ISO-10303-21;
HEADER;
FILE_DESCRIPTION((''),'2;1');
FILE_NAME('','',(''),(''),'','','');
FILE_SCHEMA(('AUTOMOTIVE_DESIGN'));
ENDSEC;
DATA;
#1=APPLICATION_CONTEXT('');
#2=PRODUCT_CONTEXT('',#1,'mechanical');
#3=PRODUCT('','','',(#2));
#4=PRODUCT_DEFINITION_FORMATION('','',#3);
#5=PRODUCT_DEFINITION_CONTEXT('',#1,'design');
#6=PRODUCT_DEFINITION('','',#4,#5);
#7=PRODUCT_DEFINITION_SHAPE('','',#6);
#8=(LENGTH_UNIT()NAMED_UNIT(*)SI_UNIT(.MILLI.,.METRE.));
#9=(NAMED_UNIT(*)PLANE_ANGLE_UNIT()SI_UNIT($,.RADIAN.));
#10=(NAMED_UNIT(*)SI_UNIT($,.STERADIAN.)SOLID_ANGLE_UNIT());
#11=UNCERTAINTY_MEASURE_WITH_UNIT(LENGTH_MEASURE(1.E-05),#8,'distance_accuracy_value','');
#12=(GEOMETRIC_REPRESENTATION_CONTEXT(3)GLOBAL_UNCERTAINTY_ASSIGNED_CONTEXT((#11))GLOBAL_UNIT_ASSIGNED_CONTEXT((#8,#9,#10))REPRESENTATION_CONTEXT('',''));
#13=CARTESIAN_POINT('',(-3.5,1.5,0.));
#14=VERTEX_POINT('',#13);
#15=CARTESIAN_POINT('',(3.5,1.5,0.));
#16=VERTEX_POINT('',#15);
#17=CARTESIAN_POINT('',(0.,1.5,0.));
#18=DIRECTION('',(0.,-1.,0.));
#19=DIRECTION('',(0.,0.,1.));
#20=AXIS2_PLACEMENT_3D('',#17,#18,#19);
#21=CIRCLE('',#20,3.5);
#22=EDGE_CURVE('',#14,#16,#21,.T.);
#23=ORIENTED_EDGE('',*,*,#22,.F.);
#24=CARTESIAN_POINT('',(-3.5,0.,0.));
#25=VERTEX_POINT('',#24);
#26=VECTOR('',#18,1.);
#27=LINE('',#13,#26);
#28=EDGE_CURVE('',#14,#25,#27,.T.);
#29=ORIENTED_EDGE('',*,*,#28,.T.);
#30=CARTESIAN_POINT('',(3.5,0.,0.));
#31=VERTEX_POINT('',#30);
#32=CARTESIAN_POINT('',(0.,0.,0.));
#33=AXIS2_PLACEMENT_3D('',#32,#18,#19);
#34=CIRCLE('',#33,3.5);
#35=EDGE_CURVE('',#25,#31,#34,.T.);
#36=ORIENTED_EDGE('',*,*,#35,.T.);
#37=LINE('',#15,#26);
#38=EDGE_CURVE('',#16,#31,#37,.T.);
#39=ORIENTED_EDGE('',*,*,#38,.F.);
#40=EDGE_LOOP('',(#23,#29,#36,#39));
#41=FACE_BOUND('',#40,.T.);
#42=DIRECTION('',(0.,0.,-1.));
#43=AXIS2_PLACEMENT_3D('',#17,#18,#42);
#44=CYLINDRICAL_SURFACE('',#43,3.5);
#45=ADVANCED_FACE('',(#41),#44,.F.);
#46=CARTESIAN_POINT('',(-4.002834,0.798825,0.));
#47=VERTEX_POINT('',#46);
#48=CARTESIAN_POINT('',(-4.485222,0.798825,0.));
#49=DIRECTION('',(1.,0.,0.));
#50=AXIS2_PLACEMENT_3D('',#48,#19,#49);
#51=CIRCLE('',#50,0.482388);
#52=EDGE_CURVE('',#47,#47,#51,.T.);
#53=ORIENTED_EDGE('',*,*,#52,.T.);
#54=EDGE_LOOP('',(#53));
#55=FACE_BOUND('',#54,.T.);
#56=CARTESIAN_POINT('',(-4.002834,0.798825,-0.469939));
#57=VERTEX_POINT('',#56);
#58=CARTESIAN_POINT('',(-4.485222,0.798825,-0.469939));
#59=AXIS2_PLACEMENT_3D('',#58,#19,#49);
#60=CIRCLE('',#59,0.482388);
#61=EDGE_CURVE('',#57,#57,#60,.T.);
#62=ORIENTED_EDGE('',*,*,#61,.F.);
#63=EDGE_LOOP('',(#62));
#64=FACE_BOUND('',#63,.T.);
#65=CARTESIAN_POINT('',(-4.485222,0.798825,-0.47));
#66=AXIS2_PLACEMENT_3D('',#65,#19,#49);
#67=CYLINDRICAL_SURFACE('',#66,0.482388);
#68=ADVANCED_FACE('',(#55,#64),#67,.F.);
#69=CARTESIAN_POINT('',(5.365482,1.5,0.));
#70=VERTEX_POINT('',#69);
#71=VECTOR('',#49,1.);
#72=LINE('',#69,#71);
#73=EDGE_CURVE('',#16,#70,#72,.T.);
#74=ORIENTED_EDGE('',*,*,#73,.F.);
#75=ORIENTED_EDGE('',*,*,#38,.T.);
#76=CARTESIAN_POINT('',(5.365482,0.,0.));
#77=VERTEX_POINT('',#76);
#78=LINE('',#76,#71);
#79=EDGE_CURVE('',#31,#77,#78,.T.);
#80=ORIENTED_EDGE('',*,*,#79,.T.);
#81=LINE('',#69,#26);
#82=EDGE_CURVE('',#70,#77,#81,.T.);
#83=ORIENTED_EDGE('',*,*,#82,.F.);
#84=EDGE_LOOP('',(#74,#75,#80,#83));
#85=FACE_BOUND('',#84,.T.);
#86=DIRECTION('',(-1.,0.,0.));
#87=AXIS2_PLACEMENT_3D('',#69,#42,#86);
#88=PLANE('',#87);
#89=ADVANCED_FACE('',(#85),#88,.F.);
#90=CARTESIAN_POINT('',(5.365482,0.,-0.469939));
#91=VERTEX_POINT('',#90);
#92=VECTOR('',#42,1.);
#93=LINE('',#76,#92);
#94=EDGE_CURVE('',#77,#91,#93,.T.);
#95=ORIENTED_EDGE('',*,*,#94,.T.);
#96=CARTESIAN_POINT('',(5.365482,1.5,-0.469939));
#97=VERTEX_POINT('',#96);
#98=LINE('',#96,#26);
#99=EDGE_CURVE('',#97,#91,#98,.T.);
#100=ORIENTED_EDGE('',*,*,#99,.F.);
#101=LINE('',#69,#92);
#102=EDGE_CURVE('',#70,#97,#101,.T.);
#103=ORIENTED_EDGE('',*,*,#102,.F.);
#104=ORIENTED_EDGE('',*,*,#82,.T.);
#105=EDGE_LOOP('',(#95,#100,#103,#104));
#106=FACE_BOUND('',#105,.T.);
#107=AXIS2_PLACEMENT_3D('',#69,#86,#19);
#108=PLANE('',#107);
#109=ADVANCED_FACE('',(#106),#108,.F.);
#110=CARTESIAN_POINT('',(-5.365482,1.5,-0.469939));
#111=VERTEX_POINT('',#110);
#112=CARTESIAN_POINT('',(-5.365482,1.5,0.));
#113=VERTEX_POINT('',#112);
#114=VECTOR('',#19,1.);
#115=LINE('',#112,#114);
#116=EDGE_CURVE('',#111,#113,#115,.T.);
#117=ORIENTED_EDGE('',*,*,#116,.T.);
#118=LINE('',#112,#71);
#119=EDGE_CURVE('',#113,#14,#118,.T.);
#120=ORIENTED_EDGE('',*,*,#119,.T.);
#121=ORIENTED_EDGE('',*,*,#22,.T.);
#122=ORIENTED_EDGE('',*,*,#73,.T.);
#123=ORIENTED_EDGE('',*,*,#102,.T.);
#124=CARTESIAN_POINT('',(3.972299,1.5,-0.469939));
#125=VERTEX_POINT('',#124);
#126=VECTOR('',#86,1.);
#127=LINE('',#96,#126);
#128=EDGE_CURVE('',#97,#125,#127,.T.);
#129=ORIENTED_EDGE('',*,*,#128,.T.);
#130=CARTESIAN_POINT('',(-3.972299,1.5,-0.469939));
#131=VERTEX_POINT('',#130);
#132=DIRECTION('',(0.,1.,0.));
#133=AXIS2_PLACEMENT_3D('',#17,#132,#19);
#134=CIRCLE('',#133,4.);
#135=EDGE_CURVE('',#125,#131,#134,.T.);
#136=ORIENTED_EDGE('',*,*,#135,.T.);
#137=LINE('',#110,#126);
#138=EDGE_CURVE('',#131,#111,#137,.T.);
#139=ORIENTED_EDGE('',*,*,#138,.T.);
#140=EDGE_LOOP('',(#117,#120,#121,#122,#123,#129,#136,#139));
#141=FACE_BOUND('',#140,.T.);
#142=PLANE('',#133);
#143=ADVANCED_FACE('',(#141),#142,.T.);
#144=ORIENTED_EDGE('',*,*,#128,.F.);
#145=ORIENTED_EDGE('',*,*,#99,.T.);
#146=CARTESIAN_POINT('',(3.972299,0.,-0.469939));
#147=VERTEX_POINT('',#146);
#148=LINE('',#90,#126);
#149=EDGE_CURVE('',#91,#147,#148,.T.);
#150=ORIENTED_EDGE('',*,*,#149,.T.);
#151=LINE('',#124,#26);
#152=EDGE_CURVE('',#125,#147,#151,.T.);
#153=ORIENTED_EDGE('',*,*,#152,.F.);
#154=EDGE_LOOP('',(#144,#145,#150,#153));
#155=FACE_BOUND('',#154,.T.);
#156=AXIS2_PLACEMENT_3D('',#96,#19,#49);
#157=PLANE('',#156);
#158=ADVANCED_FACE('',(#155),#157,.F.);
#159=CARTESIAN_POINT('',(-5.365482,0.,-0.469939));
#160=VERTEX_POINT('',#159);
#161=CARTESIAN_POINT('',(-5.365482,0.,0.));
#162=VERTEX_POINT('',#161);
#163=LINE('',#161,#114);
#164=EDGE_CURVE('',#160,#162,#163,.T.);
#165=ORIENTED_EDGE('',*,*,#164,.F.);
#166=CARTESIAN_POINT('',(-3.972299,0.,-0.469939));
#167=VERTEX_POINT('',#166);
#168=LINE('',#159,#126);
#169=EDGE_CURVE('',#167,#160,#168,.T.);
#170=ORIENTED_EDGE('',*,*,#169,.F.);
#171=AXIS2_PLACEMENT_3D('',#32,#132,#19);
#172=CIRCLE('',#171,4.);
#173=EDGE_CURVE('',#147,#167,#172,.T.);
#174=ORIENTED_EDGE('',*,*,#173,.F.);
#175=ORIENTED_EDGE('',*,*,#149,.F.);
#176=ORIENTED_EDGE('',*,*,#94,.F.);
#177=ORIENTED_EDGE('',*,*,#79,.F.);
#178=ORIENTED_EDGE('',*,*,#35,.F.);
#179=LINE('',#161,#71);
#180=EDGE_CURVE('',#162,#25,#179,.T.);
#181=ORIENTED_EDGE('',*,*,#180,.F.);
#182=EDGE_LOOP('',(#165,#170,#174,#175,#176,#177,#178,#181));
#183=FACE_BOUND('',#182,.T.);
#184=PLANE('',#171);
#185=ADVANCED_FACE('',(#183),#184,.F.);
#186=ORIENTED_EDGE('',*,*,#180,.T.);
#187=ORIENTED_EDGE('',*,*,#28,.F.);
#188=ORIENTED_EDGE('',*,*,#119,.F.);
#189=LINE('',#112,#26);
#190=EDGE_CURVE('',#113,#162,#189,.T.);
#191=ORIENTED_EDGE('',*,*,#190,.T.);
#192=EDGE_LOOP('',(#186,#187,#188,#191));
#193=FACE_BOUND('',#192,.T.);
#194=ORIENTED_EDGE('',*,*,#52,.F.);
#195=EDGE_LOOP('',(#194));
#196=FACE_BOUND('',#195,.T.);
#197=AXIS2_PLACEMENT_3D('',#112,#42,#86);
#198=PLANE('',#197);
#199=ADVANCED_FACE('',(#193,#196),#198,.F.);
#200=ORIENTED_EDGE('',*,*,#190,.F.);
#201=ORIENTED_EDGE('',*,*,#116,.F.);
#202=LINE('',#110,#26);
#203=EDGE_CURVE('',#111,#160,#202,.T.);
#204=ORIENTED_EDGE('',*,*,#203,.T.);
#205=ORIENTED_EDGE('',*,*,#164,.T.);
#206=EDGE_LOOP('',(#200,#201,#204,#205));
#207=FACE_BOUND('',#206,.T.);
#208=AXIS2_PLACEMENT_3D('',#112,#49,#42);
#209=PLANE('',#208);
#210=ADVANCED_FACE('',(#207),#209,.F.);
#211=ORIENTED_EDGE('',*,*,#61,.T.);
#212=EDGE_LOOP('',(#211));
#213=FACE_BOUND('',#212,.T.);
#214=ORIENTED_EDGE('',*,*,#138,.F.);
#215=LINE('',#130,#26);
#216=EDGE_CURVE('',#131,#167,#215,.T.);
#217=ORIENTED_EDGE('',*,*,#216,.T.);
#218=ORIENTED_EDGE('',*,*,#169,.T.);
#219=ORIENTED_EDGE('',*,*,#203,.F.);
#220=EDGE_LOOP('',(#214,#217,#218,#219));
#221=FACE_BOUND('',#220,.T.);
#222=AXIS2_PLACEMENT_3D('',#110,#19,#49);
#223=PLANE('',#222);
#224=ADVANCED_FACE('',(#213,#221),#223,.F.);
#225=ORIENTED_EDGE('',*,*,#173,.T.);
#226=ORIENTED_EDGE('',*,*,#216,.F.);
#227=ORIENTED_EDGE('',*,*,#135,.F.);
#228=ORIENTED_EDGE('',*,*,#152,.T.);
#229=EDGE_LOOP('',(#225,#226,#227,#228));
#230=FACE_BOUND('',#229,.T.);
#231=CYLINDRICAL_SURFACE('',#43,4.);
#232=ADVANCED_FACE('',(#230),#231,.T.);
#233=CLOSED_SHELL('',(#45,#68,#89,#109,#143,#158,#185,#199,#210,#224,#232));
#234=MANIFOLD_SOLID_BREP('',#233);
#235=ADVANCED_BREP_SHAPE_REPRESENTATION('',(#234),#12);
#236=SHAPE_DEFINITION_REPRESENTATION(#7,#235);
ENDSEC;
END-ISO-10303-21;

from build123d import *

# Parameters (mm, degrees)
BOSS_EXTRUDE1_DEPTH = 1.5
SKETCH3_R           = 0.482388485
CUT_EXTRUDE1_DEPTH  = 0.47


with BuildPart() as part:
    # Sketch1 → Boss-Extrude1 (new body)
    with BuildSketch(Plane(origin=(0, 0, 0), x_dir=(1, 0, 0), z_dir=(0, 1, 0))):
        with BuildLine():
            Line((5.365482369, 0), (3.5, 0))
            ThreePointArc((3.5, 0), (0, 3.5), (-3.5, 0))
            Line((-3.5, 0), (-5.365482369, 0))
            Line((-5.365482369, 0), (-5.365482369, 0.469939432))
            Line((-5.365482369, 0.469939432), (-3.972298696, 0.469939432))
            ThreePointArc((-3.972298696, 0.469939432), (0, 4), (3.972298696, 0.469939432))
            Line((3.972298696, 0.469939432), (5.365482369, 0.469939432))
            Line((5.365482369, 0.469939432), (5.365482369, 0))
        make_face()
    extrude(amount=BOSS_EXTRUDE1_DEPTH)

    # Sketch3 → Cut-Extrude1 (cut)
    with BuildSketch(Plane.XY):
        with Locations((-4.485222017, 0.798824848)):
            Circle(SKETCH3_R)
    extrude(amount=-CUT_EXTRUDE1_DEPTH, mode=Mode.SUBTRACT)


solid = part.part
